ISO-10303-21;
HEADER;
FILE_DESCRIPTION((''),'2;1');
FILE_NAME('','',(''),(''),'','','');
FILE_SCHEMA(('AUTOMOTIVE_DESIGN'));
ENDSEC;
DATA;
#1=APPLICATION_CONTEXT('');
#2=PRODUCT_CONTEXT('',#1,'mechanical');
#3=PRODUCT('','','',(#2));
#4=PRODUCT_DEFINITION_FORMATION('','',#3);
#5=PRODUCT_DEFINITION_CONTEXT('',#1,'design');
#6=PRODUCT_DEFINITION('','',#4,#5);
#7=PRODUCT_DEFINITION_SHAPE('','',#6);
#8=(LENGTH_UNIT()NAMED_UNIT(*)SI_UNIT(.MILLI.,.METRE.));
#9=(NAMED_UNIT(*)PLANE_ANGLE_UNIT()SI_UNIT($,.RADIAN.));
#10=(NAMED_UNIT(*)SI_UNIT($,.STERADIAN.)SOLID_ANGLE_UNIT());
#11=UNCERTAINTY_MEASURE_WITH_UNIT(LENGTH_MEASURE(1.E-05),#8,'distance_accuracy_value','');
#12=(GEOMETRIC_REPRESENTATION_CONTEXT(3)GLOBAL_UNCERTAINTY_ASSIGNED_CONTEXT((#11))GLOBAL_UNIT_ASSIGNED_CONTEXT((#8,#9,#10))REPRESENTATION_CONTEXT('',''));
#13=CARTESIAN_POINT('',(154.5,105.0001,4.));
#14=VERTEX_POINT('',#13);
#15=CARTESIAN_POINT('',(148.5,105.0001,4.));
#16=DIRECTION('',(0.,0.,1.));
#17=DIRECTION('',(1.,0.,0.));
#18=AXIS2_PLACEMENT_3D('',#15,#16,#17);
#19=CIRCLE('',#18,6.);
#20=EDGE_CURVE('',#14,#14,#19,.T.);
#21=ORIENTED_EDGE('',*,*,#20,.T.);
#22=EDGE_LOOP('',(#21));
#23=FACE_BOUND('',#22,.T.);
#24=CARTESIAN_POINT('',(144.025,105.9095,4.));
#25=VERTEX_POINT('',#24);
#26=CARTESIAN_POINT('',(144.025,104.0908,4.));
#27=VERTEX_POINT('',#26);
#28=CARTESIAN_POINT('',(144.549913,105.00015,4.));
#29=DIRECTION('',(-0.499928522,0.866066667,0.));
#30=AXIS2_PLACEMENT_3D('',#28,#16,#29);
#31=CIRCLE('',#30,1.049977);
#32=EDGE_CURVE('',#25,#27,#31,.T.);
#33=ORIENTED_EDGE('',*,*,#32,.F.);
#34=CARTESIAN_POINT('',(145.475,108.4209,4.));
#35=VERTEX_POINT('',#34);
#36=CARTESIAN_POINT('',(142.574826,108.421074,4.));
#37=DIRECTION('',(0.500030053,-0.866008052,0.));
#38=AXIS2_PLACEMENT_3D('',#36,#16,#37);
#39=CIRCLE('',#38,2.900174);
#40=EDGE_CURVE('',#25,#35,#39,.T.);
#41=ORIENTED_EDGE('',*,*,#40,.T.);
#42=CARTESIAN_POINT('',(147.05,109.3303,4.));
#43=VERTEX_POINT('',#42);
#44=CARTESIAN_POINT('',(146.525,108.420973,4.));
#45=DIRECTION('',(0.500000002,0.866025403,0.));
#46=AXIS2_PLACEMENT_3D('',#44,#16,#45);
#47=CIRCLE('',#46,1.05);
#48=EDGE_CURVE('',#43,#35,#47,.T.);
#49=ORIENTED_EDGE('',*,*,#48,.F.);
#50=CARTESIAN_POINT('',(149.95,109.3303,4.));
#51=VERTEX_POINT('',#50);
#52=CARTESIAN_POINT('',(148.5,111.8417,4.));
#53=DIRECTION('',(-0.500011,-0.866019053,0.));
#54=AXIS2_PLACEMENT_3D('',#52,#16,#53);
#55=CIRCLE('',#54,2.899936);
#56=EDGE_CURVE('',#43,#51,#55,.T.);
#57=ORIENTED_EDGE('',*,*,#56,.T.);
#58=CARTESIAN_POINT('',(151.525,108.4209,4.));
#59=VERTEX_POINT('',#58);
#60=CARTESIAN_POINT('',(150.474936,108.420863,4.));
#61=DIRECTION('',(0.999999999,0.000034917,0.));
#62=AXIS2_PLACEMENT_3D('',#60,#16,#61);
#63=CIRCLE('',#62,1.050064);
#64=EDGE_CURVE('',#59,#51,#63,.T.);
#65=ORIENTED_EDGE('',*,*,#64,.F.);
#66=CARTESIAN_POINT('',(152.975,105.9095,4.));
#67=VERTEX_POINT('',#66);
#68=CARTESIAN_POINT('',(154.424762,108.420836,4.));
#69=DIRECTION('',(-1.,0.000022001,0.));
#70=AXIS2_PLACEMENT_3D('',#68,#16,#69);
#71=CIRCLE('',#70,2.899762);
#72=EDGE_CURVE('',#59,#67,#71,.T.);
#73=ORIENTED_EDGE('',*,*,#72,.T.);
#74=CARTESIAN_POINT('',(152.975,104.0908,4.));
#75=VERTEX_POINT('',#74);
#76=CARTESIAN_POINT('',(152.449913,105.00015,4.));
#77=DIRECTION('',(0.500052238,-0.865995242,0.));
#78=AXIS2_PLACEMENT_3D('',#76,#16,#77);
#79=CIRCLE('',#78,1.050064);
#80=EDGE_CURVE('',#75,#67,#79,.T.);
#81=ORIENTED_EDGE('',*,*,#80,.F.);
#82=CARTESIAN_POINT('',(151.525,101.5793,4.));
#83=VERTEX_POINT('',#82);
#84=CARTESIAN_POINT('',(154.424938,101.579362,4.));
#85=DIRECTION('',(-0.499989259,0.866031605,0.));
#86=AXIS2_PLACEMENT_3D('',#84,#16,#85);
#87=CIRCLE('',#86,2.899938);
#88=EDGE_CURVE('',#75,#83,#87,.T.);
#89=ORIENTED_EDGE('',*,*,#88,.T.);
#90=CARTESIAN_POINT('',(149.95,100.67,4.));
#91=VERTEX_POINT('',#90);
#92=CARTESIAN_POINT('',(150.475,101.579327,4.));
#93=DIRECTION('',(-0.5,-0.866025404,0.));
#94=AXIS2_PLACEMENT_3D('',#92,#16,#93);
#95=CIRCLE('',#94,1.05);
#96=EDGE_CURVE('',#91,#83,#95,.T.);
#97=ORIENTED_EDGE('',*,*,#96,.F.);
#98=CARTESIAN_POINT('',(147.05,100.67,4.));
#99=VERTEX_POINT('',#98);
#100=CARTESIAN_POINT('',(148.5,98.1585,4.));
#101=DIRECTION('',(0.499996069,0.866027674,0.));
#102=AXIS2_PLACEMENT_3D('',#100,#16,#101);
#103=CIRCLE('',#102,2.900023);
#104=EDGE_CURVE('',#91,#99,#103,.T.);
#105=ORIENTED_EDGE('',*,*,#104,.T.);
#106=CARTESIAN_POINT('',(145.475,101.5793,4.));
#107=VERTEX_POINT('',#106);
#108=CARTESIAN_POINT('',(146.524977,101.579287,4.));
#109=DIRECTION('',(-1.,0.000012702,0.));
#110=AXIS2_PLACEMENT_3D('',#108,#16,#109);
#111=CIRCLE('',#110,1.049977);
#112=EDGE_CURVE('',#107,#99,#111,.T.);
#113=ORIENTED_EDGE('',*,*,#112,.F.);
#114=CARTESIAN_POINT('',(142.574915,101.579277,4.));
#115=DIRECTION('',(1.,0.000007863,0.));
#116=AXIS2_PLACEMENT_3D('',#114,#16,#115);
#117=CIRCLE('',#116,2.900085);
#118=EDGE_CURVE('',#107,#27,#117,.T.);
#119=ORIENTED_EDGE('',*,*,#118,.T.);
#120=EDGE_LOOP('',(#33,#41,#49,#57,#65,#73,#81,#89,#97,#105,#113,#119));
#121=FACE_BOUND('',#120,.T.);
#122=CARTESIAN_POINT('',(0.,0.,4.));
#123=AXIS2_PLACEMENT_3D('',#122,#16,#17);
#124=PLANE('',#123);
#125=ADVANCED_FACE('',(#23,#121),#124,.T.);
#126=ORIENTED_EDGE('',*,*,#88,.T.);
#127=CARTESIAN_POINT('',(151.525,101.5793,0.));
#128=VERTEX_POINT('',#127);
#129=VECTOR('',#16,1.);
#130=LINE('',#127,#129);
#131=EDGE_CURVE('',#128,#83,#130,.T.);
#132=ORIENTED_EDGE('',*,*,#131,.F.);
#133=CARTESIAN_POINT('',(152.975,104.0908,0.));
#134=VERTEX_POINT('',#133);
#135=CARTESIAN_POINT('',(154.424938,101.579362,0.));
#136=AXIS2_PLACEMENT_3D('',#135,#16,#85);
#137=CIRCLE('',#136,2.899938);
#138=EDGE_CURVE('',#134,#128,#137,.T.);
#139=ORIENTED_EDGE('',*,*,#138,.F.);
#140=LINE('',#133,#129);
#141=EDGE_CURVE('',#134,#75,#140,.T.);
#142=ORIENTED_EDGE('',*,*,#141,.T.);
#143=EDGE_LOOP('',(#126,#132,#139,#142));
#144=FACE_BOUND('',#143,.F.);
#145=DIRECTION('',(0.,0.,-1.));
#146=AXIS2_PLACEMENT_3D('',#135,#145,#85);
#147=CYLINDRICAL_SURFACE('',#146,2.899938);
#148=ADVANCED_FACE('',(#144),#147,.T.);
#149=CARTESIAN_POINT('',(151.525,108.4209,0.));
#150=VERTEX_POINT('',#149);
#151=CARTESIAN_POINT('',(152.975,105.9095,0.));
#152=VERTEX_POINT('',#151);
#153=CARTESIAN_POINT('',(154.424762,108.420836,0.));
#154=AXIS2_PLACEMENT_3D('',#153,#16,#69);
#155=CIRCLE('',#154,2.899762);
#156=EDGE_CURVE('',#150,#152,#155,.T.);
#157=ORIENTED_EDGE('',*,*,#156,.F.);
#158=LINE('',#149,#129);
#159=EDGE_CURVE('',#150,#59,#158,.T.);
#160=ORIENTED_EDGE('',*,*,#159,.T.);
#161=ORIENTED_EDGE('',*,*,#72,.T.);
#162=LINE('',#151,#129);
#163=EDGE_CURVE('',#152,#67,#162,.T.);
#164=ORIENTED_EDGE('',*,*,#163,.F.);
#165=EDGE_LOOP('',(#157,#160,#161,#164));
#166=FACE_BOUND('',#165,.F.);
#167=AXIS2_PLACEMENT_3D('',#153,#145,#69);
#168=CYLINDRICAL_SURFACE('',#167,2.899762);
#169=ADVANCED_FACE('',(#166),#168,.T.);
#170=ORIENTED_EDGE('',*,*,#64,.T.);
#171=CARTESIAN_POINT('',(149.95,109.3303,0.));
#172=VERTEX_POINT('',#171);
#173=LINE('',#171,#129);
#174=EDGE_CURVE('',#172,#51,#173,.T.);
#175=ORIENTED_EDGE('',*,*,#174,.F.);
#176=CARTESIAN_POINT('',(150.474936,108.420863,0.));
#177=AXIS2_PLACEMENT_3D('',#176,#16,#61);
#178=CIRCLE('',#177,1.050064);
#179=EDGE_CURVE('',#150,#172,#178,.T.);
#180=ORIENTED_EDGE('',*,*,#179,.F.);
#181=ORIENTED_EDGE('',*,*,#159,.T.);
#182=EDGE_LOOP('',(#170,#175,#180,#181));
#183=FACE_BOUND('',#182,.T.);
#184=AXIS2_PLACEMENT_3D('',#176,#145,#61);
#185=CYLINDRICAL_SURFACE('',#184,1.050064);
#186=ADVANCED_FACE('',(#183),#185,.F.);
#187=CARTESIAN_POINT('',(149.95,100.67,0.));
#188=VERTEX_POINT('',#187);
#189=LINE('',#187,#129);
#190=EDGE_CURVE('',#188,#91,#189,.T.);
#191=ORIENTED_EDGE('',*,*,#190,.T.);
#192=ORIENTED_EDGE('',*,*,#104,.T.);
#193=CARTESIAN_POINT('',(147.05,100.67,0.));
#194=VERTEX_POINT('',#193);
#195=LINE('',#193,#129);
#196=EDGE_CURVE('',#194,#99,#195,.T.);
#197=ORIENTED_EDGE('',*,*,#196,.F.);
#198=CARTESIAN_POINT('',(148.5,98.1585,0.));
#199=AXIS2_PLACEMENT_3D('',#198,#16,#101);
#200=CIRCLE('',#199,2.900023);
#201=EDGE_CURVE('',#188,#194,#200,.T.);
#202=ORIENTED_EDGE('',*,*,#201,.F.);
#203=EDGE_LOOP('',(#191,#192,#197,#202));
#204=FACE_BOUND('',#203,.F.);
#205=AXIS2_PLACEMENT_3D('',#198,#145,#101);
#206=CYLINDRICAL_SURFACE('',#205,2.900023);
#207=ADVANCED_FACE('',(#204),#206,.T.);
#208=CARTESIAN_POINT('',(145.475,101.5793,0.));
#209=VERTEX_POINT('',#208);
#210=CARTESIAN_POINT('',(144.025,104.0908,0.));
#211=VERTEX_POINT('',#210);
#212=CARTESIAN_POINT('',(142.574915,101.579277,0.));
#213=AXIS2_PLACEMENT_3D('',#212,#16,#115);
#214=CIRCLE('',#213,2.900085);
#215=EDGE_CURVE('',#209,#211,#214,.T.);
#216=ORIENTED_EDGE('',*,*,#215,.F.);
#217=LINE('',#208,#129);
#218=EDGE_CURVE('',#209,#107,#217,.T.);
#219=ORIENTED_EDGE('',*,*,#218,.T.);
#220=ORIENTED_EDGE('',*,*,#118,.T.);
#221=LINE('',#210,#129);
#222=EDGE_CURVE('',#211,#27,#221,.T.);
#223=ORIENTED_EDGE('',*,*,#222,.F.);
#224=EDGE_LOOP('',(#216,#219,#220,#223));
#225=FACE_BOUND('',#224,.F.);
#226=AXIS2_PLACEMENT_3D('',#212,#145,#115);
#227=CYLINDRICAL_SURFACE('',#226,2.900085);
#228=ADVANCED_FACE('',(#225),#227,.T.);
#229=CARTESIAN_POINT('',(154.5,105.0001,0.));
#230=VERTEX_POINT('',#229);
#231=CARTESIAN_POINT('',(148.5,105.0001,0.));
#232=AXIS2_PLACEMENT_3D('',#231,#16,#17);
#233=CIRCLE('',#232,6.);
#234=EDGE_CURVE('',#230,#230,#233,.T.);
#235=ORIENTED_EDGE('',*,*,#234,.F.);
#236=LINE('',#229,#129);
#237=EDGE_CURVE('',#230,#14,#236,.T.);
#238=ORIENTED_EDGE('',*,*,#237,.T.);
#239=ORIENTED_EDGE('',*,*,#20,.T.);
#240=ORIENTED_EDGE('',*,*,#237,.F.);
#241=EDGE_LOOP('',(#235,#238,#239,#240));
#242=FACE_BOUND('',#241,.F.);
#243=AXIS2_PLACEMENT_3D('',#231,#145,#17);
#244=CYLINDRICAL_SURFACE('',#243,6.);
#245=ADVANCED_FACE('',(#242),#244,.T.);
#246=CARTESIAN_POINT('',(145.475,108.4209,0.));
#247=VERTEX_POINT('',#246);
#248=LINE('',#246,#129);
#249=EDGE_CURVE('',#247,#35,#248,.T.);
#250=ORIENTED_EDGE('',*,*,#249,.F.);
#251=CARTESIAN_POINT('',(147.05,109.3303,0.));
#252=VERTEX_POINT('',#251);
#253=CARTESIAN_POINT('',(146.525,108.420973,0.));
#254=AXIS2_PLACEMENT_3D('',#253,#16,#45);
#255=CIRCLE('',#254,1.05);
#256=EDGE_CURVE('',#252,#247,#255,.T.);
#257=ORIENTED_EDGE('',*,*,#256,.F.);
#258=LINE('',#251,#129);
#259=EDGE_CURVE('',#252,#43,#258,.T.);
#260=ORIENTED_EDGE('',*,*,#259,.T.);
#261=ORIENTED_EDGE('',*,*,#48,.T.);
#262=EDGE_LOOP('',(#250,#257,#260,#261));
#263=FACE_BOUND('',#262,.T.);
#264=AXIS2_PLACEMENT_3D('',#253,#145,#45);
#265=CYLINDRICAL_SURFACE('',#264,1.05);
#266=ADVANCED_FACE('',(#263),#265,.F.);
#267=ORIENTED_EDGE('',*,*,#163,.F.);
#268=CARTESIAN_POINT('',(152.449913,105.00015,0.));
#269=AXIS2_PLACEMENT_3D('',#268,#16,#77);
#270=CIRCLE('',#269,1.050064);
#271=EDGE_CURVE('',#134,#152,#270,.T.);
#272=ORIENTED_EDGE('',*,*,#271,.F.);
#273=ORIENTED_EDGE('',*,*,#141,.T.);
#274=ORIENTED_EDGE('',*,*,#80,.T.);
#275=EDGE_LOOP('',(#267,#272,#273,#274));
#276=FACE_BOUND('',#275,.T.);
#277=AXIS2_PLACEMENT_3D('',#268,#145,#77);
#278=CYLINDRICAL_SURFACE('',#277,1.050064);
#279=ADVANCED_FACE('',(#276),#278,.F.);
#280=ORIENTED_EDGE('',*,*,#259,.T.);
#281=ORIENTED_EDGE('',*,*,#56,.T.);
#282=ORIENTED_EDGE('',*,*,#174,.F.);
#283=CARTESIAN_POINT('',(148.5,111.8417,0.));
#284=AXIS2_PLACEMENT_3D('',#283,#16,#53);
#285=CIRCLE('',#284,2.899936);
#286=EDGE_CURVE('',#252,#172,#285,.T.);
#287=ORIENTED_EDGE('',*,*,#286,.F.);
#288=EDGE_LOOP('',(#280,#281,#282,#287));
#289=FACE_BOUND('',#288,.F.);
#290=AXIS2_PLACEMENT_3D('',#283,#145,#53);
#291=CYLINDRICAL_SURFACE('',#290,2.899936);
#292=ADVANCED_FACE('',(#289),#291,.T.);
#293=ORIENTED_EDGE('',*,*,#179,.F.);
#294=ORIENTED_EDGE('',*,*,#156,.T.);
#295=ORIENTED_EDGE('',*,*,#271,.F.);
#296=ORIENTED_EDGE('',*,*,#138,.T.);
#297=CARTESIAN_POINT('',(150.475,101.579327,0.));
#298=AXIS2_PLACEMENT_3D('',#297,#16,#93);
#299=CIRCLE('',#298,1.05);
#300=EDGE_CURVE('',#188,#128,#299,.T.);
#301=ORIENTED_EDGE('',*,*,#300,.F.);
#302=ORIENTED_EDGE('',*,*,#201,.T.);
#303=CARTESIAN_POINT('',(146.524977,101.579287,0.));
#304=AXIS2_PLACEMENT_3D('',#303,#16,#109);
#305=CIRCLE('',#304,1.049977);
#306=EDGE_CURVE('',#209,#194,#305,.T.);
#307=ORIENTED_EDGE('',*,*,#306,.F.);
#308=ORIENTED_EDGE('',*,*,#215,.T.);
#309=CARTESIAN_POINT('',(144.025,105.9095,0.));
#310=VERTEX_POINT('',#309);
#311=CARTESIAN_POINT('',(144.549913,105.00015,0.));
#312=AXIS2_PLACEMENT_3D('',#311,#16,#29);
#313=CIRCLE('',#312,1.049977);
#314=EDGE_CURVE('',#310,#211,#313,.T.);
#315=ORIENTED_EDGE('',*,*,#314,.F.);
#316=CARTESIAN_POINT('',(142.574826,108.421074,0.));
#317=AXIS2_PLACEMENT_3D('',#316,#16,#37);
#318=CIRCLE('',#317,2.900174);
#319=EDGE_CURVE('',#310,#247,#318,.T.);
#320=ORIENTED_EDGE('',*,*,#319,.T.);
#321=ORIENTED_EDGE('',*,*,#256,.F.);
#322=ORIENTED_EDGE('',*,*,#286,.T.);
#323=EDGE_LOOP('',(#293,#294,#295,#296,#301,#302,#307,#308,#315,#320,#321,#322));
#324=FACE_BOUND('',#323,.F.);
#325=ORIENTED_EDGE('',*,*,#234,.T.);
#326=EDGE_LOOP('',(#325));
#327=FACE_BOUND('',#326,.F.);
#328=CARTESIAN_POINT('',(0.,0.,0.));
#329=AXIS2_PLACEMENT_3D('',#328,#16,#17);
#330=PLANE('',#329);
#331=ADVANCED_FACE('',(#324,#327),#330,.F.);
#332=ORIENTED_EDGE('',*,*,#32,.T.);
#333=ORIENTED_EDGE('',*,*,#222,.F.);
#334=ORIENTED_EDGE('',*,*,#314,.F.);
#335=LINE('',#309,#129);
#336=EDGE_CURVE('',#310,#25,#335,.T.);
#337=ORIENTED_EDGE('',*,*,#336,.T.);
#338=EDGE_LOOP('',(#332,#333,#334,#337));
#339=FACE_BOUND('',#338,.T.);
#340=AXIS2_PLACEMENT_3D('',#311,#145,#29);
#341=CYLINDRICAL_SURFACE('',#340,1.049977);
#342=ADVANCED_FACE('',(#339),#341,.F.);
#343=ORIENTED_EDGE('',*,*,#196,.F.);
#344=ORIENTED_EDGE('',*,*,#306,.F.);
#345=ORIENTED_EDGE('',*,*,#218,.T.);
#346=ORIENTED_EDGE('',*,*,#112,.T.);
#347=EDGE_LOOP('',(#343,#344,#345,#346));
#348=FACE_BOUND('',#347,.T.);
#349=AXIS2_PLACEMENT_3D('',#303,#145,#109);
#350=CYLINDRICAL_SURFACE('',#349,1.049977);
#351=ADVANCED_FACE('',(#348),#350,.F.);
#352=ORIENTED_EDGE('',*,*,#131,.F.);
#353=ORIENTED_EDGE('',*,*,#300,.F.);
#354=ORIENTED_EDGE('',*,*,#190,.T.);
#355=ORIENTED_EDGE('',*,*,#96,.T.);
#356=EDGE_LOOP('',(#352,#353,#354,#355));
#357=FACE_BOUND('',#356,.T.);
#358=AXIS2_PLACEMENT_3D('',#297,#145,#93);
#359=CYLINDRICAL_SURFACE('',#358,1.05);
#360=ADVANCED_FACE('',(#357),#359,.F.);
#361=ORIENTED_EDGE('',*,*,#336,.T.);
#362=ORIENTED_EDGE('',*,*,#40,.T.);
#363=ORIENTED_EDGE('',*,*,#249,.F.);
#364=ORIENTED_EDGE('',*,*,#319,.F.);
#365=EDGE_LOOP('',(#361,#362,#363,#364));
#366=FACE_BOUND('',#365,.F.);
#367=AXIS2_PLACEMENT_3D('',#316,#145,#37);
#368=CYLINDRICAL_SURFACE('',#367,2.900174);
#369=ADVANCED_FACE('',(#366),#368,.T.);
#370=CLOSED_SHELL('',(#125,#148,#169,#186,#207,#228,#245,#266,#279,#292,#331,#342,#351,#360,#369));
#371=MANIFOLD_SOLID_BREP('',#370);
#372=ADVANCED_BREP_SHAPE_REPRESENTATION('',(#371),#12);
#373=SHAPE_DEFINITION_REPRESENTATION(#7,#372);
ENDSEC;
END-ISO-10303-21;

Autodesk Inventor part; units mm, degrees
ref_plane "YZ Plane" through (0, 0, 0) normal (1, 0, 0) x (0, 1, 0)
ref_plane "XZ Plane" through (0, 0, 0) normal (0, 1, 0) x (-1, 0, 0)
ref_plane "XY Plane" through (0, 0, 0) normal (0, 0, 1) x (1, 0, 0)
sketch "スケッチ1" plane through (0, 0, 0) normal (0, 0, 1) x (1, 0, 0)
  circle A0 centre (148.5, 105.0001) radius 5 construction
  line L0 (146, 109.3303) -> (151, 109.3303) construction
  line L1 (151, 109.3303) -> (153.5, 105.0001) construction
  line L2 (153.5, 105.0001) -> (151, 100.67) construction
  line L3 (151, 100.67) -> (146, 100.67) construction
  line L4 (146, 100.67) -> (143.5, 105.0001) construction
  line L5 (143.5, 105.0001) -> (146, 109.3303) construction
  arc A1 (147.05, 109.3303) -> (145.475, 108.4209) centre (146.525, 108.4209) ccw
  arc A2 (144.025, 105.9095) -> (144.025, 104.0908) centre (144.55, 105.0001) ccw
  arc A3 (145.475, 101.5793) -> (147.05, 100.67) centre (146.525, 101.5793) ccw
  arc A4 (149.95, 100.67) -> (151.525, 101.5793) centre (150.475, 101.5793) ccw
  arc A5 (152.975, 104.0908) -> (152.975, 105.9095) centre (152.45, 105.0001) ccw
  arc A6 (151.525, 108.4209) -> (149.95, 109.3303) centre (150.475, 108.4209) ccw
  arc A7 (147.05, 109.3303) -> (149.95, 109.3303) centre (148.5, 111.8417) ccw
  arc A8 (144.025, 105.9095) -> (145.475, 108.4209) centre (142.575, 108.4209) ccw
  arc A9 (145.475, 101.5793) -> (144.025, 104.0908) centre (142.575, 101.5793) ccw
  arc A10 (149.95, 100.67) -> (147.05, 100.67) centre (148.5, 98.1585) ccw
  arc A11 (152.975, 104.0908) -> (151.525, 101.5793) centre (154.425, 101.5793) ccw
  arc A12 (151.525, 108.4209) -> (152.975, 105.9095) centre (154.425, 108.4209) ccw
  circle A13 centre (148.5, 105.0001) radius 2 construction
  circle A14 centre (148.5, 105.0001) radius 6
  point P0 (0, 0)
  point P1 (146, 100.67)
  point P2 (151, 100.67)
  point P3 (153.5, 105.0001)
  point P4 (145.475, 101.5793)
  point P5 (144.025, 104.0908)
  point P6 (144.025, 105.9095)
  point P7 (145.475, 108.4209)
  point P8 (151.525, 108.4209)
  point P9 (152.975, 105.9095)
  point P10 (152.975, 104.0908)
  point P11 (151.525, 101.5793)
  point P12 (147.05, 100.67)
  dimension "d4" = 10
  dimension "d5" = 360
  dimension "d6" = 360
  dimension "d7" = 1.05
  dimension "d8" = 4
  dimension "d9" = 12
extrude "押し出し1" add sketch "スケッチ1" along normal blind 4
properties part number "3ギア接続部外" material "アルミニウム 2014-T4"
